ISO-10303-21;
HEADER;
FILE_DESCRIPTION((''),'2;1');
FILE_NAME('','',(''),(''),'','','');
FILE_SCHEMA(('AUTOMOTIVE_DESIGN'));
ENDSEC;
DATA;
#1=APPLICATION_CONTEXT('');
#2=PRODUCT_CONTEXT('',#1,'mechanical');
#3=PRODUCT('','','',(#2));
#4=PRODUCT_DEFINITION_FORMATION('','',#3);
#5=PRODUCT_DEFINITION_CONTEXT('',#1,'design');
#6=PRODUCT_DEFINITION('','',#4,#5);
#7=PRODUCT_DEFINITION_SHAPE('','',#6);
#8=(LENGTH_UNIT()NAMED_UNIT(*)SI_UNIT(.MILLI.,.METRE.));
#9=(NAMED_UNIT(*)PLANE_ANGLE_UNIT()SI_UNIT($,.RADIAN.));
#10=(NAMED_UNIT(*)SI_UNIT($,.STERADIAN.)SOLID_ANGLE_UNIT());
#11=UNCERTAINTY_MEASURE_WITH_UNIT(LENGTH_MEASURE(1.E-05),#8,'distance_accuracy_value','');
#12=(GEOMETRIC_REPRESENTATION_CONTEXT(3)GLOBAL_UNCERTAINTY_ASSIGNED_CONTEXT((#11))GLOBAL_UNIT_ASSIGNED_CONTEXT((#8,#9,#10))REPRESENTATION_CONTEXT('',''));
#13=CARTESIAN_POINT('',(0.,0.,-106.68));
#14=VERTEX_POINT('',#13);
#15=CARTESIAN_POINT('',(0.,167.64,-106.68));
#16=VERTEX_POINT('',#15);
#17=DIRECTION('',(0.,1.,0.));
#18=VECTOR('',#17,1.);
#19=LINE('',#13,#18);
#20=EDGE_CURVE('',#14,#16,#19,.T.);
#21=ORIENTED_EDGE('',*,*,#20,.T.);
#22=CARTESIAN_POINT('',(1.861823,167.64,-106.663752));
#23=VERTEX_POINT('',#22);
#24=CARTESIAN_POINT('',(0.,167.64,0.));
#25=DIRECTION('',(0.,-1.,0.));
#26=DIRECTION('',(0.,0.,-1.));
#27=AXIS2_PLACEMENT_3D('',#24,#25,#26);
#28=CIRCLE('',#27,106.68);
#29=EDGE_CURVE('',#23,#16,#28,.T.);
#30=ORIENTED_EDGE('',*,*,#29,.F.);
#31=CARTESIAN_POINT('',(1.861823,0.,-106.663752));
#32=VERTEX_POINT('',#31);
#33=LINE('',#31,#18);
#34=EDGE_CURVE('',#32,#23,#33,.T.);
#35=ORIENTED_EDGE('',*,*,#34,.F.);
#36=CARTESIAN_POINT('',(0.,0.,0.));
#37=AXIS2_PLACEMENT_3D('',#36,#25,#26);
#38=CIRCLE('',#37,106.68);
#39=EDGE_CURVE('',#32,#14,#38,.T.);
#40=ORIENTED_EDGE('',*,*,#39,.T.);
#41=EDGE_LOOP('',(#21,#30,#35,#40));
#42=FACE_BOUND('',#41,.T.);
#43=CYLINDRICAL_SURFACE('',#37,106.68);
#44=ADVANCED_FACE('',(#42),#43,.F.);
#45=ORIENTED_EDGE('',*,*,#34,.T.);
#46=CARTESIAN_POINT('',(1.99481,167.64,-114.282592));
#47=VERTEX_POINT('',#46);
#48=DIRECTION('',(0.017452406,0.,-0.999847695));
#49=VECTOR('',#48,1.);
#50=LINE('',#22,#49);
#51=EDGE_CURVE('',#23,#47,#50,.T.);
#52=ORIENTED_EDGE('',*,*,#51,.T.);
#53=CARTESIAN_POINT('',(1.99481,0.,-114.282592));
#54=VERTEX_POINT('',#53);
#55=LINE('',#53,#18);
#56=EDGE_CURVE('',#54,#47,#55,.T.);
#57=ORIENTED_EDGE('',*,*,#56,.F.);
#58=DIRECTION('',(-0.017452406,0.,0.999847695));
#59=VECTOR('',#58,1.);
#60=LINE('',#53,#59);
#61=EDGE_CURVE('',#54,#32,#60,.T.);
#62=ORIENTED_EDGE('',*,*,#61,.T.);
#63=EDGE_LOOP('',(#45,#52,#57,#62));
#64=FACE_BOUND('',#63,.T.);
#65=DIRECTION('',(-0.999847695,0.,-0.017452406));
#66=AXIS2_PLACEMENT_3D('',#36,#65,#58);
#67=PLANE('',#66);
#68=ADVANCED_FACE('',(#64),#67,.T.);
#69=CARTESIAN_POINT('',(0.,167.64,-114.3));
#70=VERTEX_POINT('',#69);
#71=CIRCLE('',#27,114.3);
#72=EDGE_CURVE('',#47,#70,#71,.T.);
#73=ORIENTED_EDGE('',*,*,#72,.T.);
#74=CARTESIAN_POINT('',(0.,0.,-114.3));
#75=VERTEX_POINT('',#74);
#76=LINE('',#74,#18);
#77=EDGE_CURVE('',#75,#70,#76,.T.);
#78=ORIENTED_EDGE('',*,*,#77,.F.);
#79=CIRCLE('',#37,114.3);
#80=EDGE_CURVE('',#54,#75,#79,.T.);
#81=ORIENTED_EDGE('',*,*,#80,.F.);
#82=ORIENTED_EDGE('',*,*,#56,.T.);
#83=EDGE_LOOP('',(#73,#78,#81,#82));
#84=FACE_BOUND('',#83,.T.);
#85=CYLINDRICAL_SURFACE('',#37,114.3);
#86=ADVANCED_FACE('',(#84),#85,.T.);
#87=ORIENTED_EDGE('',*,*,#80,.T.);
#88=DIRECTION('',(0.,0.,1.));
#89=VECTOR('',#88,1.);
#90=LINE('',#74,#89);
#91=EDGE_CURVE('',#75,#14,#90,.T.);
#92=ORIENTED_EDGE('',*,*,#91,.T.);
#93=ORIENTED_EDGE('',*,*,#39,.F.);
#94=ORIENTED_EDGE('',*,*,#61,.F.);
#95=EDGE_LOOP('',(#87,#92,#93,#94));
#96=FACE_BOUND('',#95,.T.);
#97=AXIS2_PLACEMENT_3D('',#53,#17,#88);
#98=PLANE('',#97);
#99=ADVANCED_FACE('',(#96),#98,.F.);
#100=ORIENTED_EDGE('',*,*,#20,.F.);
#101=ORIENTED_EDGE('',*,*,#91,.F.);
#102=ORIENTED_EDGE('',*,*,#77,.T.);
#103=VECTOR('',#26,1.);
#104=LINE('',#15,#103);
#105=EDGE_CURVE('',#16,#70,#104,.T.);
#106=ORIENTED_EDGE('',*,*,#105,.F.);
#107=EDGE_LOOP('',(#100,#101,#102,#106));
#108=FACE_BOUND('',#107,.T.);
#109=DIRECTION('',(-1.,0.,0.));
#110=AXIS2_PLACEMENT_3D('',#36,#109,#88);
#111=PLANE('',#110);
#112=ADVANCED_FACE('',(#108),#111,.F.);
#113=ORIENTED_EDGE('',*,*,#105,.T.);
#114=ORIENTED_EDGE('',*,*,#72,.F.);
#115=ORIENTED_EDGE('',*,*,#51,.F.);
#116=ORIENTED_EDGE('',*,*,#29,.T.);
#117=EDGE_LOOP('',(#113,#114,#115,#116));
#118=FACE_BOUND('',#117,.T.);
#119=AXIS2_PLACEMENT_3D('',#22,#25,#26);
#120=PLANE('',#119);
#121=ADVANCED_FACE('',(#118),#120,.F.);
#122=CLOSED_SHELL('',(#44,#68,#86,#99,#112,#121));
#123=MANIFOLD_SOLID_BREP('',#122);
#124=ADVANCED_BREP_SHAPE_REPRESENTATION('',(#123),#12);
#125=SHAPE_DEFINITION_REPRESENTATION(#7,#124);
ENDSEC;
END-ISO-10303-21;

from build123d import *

# Parameters (mm, degrees)
SKETCH3_W           = 7.62
SKETCH3_H           = 167.64
REVOLVE_THIN3_ANGLE = 359


with BuildPart() as part:
    # Sketch3 → Revolve-Thin3 (revolve)
    with BuildSketch(Plane(origin=(0, 0, 0), x_dir=(0, 0, -1), z_dir=(1, 0, 0))):
        with Locations((110.49, 83.82)):
            Rectangle(SKETCH3_W, SKETCH3_H)
    revolve(axis=Axis((0, 0, 0), (0, 1, 0)), revolution_arc=REVOLVE_THIN3_ANGLE)


solid = part.part
